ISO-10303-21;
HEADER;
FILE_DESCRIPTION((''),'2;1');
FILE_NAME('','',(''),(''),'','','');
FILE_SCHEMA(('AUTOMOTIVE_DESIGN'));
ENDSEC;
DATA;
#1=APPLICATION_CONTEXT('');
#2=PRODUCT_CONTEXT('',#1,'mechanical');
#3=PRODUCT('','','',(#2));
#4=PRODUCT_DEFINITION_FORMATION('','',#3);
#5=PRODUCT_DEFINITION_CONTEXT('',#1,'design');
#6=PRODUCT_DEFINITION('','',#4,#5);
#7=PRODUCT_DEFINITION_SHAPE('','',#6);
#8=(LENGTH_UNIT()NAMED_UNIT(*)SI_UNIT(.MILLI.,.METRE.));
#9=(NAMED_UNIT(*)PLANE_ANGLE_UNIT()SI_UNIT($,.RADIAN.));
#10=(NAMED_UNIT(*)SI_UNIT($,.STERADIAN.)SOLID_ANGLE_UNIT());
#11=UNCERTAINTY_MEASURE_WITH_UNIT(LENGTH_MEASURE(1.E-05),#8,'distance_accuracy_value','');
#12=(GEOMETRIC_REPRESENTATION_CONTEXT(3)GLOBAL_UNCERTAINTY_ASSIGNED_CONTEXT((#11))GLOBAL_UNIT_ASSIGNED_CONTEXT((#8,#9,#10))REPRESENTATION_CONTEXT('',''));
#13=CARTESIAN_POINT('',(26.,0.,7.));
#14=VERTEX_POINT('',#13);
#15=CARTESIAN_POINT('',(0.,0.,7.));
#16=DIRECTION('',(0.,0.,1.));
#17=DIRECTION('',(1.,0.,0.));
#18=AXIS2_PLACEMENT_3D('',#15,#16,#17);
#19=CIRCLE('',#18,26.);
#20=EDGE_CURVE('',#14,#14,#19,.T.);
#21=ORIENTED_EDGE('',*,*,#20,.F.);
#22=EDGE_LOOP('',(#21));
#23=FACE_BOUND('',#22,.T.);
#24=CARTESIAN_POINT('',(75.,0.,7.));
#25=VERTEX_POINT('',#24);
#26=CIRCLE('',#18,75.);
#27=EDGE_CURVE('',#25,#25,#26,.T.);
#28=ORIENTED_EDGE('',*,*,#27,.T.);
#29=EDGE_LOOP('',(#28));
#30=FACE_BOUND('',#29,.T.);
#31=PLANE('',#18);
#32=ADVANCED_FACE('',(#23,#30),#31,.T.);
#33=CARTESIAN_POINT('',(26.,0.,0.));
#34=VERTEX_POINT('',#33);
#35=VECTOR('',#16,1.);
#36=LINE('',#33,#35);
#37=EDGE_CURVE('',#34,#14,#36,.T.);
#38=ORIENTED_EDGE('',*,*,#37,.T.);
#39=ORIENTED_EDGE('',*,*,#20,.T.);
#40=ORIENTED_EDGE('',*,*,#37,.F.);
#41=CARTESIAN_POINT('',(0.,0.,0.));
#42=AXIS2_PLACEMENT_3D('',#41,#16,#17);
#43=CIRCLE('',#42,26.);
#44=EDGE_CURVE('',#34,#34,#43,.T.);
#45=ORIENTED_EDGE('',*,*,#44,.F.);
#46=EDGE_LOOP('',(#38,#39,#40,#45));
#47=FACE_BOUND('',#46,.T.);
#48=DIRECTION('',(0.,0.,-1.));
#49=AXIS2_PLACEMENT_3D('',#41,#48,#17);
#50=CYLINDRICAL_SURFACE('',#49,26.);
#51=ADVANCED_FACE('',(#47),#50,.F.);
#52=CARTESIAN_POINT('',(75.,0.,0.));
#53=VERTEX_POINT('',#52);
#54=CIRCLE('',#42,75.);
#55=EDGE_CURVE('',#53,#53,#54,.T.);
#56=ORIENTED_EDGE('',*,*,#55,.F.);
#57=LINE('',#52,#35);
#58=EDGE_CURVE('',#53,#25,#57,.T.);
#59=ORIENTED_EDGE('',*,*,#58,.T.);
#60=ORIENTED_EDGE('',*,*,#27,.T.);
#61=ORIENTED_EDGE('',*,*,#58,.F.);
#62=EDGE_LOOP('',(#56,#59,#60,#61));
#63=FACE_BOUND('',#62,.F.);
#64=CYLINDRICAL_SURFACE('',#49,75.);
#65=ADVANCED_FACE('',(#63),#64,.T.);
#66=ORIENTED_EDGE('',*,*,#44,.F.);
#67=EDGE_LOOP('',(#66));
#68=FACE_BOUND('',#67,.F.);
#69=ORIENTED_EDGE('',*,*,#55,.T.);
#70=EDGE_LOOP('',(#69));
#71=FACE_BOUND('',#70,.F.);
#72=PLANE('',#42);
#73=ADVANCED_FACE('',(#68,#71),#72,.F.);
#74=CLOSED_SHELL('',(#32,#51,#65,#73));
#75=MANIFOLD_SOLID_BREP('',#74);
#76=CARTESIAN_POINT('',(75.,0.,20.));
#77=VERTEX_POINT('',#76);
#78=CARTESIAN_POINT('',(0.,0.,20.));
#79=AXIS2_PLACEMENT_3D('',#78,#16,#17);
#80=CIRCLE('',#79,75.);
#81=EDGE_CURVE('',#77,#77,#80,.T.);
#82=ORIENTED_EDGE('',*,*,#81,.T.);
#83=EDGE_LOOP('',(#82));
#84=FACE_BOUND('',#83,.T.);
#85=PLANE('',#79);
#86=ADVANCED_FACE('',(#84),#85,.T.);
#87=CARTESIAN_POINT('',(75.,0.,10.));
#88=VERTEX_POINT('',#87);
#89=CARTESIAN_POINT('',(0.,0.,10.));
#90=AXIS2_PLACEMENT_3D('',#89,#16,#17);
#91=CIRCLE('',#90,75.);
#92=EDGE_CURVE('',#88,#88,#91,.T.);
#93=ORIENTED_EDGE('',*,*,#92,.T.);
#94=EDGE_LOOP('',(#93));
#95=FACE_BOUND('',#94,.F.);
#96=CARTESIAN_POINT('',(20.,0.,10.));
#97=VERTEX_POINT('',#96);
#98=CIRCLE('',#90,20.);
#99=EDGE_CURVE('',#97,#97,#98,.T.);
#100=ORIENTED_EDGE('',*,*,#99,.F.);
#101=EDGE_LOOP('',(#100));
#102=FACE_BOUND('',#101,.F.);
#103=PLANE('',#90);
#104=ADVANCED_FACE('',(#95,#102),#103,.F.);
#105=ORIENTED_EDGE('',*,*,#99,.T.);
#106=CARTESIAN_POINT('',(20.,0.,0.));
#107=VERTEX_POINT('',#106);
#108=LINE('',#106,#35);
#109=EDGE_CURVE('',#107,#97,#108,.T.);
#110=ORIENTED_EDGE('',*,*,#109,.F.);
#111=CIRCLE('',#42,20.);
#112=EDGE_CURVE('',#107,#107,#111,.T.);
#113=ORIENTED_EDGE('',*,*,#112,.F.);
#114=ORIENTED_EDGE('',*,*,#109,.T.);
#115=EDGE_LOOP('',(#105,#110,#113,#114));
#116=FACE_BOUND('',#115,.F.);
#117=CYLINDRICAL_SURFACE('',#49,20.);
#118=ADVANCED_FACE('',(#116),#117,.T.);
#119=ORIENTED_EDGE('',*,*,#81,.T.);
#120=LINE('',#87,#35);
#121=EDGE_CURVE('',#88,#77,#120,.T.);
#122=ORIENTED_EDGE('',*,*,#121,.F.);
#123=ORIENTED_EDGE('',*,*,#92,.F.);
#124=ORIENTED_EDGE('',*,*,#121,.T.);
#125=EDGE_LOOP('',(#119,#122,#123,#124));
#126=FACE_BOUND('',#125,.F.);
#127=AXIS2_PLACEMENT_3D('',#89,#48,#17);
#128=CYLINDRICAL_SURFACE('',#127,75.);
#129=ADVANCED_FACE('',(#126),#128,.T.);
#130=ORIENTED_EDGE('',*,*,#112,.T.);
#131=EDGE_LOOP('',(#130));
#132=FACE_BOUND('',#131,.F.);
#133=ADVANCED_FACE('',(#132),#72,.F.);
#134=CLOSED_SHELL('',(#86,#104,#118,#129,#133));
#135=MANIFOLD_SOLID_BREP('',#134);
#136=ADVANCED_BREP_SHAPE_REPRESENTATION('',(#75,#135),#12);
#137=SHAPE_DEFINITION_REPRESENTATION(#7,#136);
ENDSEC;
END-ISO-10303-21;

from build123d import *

# Parameters (mm, degrees)
F0_R     = 75
F0_R_2   = 26
F1_DEPTH = 7
F2_R     = 20
F3_DEPTH = 10
F4_R     = 75
F4_R_2   = 20
F5_DEPTH = 10


with BuildPart() as f1:
    # F0 (on Top) → F1 (new body)
    with BuildSketch(Plane.XY):
        Circle(F0_R)
        Circle(F0_R_2, mode=Mode.SUBTRACT)
    extrude(amount=F1_DEPTH)


with BuildPart() as f3:
    # F2 (on Top) → F3 (new body)
    with BuildSketch(Plane.XY):
        Circle(F2_R)
    extrude(amount=F3_DEPTH)

    # F4 (on face) → F5 (join)
    with BuildSketch(Plane.XY.offset(10)):
        Circle(F4_R)
        Circle(F4_R_2, mode=Mode.SUBTRACT)
        Circle(F4_R_2)
    extrude(amount=F5_DEPTH)


solid = Compound([f1.part, f3.part])
